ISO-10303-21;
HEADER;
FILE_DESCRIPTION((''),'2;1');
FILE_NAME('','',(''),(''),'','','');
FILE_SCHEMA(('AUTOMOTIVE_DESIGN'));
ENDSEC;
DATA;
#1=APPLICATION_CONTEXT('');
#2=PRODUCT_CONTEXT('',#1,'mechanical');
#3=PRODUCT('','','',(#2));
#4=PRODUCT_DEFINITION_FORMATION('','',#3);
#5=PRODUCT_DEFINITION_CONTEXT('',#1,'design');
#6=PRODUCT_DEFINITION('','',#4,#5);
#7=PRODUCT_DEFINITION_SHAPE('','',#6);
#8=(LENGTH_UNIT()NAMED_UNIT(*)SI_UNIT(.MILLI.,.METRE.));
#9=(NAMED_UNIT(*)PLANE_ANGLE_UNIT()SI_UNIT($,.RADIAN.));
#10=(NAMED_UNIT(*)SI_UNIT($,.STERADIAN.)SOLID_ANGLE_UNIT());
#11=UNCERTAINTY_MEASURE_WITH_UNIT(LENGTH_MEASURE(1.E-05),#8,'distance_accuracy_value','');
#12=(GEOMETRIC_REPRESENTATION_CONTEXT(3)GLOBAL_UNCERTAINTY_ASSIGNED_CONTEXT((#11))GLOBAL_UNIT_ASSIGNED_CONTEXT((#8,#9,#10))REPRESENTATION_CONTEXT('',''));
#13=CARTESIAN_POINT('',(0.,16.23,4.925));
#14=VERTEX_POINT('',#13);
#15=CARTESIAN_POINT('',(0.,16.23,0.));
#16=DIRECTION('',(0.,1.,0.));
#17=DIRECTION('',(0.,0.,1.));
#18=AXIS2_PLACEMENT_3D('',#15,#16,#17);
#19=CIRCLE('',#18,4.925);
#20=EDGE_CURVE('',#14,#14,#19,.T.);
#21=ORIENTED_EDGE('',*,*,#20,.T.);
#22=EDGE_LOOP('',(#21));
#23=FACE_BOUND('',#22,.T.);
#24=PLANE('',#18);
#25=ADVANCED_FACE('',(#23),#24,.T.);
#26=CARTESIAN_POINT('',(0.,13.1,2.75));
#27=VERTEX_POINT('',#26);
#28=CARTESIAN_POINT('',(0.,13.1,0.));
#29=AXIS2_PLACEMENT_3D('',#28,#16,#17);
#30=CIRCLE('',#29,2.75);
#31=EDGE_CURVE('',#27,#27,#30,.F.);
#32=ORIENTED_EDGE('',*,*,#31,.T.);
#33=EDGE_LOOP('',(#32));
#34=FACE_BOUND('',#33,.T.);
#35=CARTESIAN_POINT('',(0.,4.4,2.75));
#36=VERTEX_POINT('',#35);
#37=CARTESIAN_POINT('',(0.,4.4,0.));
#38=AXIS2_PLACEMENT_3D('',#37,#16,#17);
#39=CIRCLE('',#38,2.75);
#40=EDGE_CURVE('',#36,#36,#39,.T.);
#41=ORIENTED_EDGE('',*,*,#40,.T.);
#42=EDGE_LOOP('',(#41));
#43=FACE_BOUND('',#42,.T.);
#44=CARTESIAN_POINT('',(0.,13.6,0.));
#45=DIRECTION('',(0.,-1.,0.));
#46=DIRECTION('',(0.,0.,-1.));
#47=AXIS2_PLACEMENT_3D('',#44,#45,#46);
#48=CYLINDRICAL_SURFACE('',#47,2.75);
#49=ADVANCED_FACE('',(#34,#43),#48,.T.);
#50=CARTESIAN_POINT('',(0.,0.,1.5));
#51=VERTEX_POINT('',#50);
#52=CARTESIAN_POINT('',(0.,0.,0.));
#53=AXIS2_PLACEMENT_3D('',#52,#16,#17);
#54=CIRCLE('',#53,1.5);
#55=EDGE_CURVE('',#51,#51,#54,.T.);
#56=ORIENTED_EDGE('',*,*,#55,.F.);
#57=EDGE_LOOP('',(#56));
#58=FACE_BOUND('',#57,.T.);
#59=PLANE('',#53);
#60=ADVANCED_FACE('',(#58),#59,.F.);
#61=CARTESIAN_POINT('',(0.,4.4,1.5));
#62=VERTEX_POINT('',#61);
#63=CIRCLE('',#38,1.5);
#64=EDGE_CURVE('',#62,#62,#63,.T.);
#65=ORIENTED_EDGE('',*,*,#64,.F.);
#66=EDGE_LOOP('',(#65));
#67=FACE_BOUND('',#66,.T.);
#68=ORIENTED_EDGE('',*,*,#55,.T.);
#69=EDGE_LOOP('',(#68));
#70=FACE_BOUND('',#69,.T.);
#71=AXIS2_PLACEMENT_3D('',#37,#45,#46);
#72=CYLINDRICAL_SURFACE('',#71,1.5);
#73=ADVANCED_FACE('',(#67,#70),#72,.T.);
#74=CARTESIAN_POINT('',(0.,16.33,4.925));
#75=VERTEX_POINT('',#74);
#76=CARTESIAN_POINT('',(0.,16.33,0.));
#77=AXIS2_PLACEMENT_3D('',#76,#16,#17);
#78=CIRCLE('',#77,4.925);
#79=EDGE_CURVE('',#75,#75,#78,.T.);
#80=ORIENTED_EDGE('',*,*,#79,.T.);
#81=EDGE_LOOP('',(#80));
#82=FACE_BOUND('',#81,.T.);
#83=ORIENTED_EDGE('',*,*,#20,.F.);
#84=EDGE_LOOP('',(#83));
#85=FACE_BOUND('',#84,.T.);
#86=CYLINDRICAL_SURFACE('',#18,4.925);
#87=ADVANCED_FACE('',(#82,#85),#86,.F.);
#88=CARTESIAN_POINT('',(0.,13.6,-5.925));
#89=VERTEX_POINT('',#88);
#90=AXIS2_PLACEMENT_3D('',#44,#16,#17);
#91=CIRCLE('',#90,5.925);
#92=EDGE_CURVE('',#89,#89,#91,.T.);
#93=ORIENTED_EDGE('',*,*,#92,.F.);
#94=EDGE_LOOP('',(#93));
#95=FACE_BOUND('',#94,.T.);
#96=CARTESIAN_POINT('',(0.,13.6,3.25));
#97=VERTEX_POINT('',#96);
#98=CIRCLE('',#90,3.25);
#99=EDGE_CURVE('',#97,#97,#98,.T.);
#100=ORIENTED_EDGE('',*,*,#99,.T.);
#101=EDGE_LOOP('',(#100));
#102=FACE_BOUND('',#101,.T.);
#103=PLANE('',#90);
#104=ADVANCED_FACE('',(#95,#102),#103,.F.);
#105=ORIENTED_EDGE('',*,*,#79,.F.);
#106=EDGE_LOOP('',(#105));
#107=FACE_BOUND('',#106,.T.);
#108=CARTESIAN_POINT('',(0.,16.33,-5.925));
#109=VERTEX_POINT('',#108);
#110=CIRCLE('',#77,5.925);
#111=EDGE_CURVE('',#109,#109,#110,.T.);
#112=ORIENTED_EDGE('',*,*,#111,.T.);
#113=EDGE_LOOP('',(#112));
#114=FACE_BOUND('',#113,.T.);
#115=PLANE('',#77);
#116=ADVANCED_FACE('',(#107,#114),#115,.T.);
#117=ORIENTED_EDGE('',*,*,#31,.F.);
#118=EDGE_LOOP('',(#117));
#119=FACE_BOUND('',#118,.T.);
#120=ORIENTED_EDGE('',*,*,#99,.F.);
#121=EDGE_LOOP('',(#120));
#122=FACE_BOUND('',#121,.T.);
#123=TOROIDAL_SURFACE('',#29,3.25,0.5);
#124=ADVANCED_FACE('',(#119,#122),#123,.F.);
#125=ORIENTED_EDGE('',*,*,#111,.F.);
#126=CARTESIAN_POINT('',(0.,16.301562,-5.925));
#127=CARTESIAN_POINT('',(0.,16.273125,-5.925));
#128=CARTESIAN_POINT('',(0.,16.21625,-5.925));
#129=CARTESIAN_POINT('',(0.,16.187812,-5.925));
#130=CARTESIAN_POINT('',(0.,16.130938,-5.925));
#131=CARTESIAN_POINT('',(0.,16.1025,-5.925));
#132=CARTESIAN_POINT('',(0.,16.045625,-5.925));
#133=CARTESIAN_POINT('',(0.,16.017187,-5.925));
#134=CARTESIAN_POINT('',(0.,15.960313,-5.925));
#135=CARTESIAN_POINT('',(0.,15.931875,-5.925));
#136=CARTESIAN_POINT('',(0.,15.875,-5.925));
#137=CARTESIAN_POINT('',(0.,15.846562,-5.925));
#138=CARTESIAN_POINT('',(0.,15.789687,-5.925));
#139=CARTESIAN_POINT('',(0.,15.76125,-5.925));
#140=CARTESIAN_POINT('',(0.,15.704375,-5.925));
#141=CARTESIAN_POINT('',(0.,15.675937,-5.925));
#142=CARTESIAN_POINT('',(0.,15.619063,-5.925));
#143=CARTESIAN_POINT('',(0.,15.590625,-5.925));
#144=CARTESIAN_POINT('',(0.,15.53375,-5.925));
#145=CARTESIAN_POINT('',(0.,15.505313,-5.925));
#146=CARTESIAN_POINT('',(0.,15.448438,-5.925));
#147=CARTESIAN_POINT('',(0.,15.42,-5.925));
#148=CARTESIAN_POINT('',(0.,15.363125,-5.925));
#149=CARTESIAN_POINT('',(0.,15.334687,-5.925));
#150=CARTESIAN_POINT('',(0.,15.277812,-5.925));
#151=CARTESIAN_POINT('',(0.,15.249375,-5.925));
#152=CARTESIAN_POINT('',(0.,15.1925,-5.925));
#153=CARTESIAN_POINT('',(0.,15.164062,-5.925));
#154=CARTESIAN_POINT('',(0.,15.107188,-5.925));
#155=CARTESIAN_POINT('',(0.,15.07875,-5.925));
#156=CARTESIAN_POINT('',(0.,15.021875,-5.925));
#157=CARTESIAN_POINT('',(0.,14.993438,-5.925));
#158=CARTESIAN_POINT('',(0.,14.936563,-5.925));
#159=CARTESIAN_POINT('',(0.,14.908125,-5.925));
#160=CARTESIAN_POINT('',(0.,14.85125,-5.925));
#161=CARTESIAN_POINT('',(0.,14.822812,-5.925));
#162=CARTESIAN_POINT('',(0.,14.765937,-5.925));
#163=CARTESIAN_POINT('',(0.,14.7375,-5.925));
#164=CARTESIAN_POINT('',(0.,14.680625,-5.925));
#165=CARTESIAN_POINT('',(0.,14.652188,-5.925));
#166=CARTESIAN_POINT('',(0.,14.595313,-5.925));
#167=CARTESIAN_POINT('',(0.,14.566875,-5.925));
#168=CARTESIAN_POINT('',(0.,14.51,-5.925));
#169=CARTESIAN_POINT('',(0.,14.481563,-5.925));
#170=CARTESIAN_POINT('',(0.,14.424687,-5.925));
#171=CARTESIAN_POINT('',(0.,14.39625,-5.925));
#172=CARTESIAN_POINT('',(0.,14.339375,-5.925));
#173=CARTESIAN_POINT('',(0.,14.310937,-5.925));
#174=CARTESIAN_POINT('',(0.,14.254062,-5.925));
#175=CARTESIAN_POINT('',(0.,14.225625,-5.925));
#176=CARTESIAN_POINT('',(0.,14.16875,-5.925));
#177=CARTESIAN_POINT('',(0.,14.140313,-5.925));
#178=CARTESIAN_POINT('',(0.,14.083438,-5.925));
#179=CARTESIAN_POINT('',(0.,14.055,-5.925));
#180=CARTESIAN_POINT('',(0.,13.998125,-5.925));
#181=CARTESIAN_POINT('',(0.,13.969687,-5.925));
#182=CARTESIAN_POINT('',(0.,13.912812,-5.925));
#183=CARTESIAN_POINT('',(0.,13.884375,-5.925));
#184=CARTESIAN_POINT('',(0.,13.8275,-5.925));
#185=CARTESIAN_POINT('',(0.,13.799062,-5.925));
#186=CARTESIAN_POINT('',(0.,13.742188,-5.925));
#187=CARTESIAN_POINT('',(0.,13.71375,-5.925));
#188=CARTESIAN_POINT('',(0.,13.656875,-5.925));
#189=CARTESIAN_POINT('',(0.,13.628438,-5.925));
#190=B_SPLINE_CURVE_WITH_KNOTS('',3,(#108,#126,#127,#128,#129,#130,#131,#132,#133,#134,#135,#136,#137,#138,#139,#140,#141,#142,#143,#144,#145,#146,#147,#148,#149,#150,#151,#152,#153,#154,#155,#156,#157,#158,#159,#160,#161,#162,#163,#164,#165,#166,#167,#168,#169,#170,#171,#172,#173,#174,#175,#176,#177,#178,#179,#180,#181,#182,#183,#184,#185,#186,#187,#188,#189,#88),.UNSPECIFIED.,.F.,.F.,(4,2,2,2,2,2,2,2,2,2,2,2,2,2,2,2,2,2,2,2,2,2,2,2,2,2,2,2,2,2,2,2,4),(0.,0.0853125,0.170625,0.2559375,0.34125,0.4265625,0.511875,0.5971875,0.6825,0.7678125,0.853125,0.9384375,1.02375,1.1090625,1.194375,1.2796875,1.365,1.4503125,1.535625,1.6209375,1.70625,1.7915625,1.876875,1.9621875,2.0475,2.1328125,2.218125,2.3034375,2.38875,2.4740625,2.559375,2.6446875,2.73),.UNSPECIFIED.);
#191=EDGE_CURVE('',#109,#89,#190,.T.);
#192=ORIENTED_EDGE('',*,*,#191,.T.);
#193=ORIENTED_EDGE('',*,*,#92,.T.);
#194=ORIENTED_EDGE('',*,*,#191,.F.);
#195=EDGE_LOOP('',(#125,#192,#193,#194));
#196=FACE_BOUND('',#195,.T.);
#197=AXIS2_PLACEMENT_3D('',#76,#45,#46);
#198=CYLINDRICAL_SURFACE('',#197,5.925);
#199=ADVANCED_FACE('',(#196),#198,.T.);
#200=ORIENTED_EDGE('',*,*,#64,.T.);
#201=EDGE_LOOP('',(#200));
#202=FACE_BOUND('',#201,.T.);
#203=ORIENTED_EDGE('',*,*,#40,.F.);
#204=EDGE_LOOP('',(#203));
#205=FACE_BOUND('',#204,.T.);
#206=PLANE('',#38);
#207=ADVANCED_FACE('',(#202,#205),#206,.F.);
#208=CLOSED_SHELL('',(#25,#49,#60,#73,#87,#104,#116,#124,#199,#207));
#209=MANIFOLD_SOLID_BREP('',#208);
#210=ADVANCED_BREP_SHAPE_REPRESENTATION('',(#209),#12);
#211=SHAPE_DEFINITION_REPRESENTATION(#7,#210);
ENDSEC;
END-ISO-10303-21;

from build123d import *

# Parameters (mm, degrees)
SKETCH1_R           = 1.5
BOSS_EXTRUDE1_DEPTH = 4.4
SKETCH2_R           = 2.75
BOSS_EXTRUDE2_DEPTH = 9.2
SKETCH3_R           = 5.925
BOSS_EXTRUDE3_DEPTH = 2.73
FILLET1_R           = 0.5
SKETCH4_R           = 4.925
CUT_EXTRUDE1_DEPTH  = 0.1


with BuildPart() as part:
    # Sketch1 → Boss-Extrude1 (new body)
    with BuildSketch(Plane(origin=(0, 0, 0), x_dir=(1, 0, 0), z_dir=(0, 1, 0))):
        with Locations(Location((0, 0, 0), (0, 0, 270))):
            Circle(SKETCH1_R)
    extrude(amount=BOSS_EXTRUDE1_DEPTH)

    # Sketch2 → Boss-Extrude2 (add)
    with BuildSketch(Plane(origin=(0, 4.4, 0), x_dir=(1, 0, 0), z_dir=(0, 1, 0))):
        with Locations(Location((0, 0, 0), (0, 0, 270))):
            Circle(SKETCH2_R)
    extrude(amount=BOSS_EXTRUDE2_DEPTH)

    # Sketch3 → Boss-Extrude3 (add)
    with BuildSketch(Plane(origin=(0, 13.6, 0), x_dir=(1, 0, 0), z_dir=(0, 1, 0))):
        with Locations(Location((0, 0, 0), (0, 0, 90))):
            Circle(SKETCH3_R)
    extrude(amount=BOSS_EXTRUDE3_DEPTH)

    # Fillet1
    fillet1_edges = [part.edges().sort_by_distance(p)[0] for p in [
        (0, 13.6, -2.75),
    ]]
    fillet(fillet1_edges, radius=FILLET1_R)

    # Sketch4 → Cut-Extrude1 (cut)
    with BuildSketch(Plane(origin=(0, 16.33, 0), x_dir=(1, 0, 0), z_dir=(0, 1, 0))):
        with Locations(Location((0, 0, 0), (0, 0, 270))):
            Circle(SKETCH4_R)
    extrude(amount=-CUT_EXTRUDE1_DEPTH, mode=Mode.SUBTRACT)


solid = part.part
